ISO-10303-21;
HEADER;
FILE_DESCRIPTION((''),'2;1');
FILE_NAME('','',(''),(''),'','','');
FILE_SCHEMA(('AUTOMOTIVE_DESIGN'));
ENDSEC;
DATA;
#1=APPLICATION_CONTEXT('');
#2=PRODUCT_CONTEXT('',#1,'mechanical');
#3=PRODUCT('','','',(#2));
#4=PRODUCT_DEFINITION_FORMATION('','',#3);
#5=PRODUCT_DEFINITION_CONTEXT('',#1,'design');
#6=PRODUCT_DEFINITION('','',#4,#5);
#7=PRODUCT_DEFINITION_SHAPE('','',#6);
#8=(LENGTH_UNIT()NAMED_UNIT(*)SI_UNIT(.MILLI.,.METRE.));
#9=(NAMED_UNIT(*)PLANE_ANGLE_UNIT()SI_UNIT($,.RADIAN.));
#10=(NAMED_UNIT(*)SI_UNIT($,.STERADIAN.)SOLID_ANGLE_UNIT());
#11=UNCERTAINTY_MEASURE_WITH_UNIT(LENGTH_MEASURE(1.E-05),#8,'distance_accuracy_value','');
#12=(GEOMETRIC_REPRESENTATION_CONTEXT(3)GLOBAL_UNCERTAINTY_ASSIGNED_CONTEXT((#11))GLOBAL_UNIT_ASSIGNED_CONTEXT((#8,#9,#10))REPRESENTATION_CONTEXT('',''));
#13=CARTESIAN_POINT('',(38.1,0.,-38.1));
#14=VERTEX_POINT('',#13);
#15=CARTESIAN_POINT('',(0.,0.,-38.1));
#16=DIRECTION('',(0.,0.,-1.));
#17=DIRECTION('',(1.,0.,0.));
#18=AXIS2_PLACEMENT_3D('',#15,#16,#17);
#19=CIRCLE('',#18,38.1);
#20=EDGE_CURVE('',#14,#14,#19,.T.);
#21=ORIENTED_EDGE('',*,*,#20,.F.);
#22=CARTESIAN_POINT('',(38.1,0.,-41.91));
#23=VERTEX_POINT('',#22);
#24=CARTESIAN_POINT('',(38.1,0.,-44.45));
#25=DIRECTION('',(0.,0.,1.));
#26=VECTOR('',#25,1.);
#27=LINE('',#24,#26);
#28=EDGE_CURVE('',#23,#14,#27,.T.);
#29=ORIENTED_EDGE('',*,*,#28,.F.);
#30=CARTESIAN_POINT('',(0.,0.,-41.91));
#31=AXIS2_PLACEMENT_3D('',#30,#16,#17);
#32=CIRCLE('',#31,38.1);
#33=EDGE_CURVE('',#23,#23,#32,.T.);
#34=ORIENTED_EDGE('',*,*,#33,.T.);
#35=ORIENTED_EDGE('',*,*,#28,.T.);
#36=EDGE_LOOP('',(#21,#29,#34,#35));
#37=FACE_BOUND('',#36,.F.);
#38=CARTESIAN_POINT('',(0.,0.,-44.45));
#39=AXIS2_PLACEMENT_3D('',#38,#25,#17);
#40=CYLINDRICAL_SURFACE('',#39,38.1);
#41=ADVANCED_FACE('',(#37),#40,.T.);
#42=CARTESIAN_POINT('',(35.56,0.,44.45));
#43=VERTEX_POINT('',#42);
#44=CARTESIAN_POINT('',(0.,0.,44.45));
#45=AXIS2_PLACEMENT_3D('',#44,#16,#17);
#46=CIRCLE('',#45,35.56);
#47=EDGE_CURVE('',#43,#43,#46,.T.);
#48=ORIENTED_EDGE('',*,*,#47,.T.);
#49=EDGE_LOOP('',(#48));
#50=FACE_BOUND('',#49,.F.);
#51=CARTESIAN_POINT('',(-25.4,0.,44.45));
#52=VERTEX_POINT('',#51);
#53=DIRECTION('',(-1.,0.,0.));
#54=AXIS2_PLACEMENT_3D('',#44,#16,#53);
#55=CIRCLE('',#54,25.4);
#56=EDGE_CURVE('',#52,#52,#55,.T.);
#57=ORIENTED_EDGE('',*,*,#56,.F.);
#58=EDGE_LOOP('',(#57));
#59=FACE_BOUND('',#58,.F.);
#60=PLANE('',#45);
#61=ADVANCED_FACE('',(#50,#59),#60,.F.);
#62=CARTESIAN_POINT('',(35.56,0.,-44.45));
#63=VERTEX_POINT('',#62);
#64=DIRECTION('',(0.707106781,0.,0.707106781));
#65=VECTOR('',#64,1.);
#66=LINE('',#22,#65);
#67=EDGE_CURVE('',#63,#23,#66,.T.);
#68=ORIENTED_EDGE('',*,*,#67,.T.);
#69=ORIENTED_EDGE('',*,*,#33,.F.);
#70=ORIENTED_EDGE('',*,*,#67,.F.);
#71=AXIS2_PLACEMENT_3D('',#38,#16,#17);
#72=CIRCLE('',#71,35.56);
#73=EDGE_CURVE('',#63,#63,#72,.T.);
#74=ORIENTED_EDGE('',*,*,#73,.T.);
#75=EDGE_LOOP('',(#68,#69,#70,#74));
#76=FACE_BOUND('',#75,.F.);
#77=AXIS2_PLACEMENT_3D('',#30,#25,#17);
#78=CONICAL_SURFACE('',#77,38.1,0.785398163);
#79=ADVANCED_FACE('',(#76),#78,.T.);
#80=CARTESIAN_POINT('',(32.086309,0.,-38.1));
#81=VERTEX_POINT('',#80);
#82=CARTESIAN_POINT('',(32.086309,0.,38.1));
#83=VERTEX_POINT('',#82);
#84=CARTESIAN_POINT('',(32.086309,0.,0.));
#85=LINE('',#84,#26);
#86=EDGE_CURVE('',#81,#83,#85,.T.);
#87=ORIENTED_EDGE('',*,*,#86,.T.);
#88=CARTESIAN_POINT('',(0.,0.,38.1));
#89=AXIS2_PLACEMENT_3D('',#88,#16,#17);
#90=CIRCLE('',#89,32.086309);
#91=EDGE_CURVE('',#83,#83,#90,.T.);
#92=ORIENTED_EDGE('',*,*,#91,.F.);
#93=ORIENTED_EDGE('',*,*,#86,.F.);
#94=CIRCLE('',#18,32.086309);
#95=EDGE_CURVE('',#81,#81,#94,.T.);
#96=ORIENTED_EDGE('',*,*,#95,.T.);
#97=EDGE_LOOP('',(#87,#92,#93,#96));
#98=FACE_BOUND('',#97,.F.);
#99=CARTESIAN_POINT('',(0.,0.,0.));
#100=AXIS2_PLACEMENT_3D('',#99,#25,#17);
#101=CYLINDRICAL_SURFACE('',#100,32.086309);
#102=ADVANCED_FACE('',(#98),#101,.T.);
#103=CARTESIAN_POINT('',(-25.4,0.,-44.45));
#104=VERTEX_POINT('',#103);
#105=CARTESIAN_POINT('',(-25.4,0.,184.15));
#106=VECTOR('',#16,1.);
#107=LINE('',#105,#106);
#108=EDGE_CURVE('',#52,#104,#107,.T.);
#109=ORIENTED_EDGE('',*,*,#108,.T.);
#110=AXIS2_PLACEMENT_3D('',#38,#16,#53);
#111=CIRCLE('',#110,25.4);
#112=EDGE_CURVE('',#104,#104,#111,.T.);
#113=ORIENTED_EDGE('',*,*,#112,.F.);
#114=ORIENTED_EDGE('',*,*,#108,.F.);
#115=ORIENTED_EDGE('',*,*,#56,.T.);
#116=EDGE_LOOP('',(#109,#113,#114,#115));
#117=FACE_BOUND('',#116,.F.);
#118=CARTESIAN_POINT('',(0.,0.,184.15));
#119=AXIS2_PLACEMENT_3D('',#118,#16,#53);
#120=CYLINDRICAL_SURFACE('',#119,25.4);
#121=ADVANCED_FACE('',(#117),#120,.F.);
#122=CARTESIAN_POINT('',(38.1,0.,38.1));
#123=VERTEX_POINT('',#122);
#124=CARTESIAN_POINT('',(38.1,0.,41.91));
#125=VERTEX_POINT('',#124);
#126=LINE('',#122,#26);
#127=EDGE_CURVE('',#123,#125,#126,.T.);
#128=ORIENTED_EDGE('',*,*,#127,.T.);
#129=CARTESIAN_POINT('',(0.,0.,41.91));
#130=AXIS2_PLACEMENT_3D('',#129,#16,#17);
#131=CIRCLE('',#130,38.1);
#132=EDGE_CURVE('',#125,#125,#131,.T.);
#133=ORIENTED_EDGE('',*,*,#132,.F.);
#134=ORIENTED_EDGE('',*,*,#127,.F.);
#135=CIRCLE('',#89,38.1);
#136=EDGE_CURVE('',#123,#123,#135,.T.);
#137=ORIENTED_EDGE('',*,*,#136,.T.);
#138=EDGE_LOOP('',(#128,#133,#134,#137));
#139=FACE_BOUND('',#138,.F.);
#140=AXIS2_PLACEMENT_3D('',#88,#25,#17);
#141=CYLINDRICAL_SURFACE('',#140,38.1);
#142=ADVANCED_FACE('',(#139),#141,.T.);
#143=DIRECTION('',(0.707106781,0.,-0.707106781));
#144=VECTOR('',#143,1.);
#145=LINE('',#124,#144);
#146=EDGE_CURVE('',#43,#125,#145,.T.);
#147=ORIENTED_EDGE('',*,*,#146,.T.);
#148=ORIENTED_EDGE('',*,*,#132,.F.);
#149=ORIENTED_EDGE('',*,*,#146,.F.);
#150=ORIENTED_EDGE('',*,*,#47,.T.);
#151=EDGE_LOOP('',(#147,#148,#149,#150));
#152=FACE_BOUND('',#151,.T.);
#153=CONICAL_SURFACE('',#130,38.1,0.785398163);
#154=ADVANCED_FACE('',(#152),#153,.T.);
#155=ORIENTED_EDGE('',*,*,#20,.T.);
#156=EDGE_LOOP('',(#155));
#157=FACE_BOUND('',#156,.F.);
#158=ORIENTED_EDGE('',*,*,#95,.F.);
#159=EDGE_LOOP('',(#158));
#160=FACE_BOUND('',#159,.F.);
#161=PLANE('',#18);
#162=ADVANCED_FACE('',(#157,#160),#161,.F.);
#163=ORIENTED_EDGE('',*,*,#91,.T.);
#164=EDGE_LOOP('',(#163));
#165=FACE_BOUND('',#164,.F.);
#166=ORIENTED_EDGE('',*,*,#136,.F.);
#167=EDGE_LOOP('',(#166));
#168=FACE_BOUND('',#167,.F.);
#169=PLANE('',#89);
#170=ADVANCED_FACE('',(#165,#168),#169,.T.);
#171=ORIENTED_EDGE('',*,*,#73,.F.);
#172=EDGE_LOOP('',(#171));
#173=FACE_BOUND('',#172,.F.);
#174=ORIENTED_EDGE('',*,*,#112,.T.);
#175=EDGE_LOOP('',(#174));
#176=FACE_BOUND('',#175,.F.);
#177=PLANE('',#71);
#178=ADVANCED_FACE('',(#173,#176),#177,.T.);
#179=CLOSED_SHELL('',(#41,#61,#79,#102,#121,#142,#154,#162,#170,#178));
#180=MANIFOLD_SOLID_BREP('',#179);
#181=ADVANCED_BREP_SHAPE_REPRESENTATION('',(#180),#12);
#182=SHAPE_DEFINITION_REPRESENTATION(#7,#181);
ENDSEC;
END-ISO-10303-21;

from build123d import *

# Parameters (mm, degrees)
F0_W    = 32.086309
F0_H    = 76.2
F3_D    = 50.8
F4_SIZE = 2.54


with BuildPart() as f1:
    # F0 (on Front) → F1 (revolve)
    with BuildSketch(Plane.XZ):
        Polygon((0, 44.45), (0, 38.1), (32.086309, 38.1), (38.1, 38.1), (38.1, 44.45), align=None)
        with Locations((16.043154, 0)):
            Rectangle(F0_W, F0_H)
        Polygon((32.086309, -38.1), (0, -38.1), (0, -44.45), (38.1, -44.45), (38.1, -38.1), align=None)
    revolve(axis=Axis((0, 0, 0), (0, 0, -1)))

    # F3 (through all)
    with Locations(Plane.XY.offset(44.45)):
        with Locations((0, 0)):
            Hole(F3_D / 2)

    # F4
    f4_edges = [f1.edges().sort_by_distance(p)[0] for p in [
        (-38.1, 0, 44.45),
        (-38.1, 0, -44.45),
    ]]
    chamfer(f4_edges, length=F4_SIZE)


solid = f1.part
